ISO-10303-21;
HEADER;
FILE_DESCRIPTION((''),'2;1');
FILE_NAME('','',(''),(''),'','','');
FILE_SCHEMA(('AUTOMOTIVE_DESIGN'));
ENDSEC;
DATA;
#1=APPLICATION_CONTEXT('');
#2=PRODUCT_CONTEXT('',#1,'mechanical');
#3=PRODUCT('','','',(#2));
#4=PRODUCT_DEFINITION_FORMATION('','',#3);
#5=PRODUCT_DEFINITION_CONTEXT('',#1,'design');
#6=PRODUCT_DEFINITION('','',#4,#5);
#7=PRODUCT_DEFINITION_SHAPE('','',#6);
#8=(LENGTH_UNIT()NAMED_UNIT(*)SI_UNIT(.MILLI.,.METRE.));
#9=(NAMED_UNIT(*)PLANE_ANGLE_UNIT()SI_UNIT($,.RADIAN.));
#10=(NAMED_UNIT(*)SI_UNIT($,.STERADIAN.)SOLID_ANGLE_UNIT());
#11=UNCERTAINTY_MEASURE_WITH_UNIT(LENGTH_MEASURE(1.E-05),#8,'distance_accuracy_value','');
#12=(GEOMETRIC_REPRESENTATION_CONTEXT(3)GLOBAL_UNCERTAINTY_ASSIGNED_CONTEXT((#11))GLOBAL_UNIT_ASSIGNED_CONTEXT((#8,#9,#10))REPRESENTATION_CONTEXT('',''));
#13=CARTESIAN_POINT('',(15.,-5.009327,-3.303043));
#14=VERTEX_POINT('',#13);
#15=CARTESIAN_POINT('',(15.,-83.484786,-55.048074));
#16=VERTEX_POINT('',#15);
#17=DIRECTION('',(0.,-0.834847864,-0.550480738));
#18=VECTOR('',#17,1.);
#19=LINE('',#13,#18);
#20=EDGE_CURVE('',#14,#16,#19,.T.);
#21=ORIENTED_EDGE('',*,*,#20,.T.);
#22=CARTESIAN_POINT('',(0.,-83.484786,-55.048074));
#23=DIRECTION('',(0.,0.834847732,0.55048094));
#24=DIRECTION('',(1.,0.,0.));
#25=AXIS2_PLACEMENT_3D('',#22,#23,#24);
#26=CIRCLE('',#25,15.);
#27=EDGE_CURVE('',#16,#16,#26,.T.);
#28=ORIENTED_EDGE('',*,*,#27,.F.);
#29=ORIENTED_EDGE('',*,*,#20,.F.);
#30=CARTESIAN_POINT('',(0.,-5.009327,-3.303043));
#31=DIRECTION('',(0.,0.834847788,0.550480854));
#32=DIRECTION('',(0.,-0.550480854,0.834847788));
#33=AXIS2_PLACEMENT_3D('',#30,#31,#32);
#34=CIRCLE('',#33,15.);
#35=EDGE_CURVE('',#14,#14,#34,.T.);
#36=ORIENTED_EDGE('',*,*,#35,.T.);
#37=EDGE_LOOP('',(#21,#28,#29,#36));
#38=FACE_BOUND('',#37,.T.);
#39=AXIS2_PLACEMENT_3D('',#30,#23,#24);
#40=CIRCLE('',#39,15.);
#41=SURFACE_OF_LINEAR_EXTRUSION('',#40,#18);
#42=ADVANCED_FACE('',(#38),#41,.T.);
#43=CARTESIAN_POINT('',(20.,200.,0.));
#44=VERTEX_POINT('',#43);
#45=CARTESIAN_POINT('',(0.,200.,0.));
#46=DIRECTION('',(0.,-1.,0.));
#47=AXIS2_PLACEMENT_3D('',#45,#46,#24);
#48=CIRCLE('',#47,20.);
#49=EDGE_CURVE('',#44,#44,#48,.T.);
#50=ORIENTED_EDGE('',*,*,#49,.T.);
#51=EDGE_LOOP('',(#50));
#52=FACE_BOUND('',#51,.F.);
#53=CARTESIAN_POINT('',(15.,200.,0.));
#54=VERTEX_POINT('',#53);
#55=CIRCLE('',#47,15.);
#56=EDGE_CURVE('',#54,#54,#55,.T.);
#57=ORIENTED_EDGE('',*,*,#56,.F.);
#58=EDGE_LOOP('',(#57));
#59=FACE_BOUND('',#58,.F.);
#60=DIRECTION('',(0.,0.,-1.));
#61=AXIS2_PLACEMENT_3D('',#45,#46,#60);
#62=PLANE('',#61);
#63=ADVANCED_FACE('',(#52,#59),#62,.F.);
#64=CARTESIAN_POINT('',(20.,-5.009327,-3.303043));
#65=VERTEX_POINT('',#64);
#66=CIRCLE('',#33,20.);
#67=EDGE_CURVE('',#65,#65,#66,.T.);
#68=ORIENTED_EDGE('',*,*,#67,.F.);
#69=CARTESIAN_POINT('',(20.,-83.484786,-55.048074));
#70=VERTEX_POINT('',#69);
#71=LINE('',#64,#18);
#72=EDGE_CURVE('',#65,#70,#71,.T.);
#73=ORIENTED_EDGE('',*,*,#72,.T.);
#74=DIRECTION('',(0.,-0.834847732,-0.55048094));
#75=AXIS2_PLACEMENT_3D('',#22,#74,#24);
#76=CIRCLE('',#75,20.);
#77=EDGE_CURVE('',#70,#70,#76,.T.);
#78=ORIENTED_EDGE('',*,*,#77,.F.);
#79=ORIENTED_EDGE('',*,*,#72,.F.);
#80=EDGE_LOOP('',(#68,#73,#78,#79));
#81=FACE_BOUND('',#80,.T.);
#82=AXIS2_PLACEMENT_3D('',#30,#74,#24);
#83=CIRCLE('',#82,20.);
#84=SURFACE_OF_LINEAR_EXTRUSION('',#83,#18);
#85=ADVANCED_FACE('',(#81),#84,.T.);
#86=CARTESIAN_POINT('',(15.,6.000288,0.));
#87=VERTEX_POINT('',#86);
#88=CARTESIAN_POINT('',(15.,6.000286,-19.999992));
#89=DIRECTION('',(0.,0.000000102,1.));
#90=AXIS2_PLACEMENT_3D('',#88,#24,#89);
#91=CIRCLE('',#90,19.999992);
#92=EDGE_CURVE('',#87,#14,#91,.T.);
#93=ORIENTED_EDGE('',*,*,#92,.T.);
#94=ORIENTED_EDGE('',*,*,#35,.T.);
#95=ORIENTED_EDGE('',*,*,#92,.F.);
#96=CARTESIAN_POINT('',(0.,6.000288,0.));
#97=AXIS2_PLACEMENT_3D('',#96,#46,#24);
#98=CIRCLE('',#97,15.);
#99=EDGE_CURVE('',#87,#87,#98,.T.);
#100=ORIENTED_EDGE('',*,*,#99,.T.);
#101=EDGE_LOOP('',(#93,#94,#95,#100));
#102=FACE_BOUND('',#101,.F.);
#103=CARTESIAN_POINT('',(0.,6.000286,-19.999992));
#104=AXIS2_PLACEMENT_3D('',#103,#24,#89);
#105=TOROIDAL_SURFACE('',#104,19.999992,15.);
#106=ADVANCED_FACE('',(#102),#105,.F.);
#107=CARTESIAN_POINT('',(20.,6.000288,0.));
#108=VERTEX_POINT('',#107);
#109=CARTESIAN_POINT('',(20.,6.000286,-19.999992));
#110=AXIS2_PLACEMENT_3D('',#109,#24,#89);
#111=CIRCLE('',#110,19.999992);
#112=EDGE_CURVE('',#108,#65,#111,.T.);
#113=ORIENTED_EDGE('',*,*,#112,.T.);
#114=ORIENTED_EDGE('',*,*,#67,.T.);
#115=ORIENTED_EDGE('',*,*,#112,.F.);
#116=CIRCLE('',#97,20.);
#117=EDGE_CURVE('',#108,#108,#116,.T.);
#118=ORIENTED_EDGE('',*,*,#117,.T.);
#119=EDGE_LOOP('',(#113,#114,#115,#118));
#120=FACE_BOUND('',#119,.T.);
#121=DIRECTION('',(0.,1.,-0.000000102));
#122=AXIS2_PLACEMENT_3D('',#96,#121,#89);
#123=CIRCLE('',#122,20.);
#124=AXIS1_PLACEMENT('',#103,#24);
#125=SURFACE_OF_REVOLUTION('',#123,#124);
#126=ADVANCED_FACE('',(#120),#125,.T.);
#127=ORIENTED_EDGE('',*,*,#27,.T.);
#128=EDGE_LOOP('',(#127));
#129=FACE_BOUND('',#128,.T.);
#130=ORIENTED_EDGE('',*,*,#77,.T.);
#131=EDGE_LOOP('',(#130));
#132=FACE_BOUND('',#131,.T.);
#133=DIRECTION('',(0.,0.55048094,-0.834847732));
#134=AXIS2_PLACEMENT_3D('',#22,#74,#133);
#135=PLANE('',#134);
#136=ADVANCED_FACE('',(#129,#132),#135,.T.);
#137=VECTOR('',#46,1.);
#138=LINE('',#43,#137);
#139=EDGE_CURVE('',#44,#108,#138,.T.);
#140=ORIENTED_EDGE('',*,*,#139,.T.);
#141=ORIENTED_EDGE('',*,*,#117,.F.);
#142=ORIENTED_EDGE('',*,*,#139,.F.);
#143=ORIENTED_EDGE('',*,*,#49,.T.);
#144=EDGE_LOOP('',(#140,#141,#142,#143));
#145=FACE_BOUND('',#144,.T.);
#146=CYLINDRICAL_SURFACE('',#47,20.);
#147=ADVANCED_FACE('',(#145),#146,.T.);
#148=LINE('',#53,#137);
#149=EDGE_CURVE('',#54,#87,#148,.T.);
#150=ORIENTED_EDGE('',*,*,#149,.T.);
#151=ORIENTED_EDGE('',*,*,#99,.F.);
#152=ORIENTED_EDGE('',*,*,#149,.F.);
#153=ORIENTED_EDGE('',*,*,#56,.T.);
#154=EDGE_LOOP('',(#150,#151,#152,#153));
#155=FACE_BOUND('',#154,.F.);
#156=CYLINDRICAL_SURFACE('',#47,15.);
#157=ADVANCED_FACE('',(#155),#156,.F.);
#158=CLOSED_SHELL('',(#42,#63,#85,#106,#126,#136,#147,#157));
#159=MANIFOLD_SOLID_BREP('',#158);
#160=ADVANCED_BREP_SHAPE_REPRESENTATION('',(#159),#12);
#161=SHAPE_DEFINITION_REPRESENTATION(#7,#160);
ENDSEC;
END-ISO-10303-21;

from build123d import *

# Parameters (mm, degrees)
F2_R   = 20
F2_R_2 = 15


with BuildPart() as f3:
    # F3: sweep along a path in F0
    with BuildLine(Plane.YZ) as f3_path:
        Line((200, 0), (6.000288, 0))
        ThreePointArc((6.000288, 0), (0.253077, -0.84355), (-5.009327, -3.303043))
        Line((-5.009327, -3.303043), (-83.484786, -55.048074))
    # F2 (on offset) → F3 (sweep)
    with BuildSketch(Plane.XZ.offset(-200)):
        Circle(F2_R)
        Circle(F2_R_2, mode=Mode.SUBTRACT)
    sweep(path=f3_path.line)


solid = f3.part
